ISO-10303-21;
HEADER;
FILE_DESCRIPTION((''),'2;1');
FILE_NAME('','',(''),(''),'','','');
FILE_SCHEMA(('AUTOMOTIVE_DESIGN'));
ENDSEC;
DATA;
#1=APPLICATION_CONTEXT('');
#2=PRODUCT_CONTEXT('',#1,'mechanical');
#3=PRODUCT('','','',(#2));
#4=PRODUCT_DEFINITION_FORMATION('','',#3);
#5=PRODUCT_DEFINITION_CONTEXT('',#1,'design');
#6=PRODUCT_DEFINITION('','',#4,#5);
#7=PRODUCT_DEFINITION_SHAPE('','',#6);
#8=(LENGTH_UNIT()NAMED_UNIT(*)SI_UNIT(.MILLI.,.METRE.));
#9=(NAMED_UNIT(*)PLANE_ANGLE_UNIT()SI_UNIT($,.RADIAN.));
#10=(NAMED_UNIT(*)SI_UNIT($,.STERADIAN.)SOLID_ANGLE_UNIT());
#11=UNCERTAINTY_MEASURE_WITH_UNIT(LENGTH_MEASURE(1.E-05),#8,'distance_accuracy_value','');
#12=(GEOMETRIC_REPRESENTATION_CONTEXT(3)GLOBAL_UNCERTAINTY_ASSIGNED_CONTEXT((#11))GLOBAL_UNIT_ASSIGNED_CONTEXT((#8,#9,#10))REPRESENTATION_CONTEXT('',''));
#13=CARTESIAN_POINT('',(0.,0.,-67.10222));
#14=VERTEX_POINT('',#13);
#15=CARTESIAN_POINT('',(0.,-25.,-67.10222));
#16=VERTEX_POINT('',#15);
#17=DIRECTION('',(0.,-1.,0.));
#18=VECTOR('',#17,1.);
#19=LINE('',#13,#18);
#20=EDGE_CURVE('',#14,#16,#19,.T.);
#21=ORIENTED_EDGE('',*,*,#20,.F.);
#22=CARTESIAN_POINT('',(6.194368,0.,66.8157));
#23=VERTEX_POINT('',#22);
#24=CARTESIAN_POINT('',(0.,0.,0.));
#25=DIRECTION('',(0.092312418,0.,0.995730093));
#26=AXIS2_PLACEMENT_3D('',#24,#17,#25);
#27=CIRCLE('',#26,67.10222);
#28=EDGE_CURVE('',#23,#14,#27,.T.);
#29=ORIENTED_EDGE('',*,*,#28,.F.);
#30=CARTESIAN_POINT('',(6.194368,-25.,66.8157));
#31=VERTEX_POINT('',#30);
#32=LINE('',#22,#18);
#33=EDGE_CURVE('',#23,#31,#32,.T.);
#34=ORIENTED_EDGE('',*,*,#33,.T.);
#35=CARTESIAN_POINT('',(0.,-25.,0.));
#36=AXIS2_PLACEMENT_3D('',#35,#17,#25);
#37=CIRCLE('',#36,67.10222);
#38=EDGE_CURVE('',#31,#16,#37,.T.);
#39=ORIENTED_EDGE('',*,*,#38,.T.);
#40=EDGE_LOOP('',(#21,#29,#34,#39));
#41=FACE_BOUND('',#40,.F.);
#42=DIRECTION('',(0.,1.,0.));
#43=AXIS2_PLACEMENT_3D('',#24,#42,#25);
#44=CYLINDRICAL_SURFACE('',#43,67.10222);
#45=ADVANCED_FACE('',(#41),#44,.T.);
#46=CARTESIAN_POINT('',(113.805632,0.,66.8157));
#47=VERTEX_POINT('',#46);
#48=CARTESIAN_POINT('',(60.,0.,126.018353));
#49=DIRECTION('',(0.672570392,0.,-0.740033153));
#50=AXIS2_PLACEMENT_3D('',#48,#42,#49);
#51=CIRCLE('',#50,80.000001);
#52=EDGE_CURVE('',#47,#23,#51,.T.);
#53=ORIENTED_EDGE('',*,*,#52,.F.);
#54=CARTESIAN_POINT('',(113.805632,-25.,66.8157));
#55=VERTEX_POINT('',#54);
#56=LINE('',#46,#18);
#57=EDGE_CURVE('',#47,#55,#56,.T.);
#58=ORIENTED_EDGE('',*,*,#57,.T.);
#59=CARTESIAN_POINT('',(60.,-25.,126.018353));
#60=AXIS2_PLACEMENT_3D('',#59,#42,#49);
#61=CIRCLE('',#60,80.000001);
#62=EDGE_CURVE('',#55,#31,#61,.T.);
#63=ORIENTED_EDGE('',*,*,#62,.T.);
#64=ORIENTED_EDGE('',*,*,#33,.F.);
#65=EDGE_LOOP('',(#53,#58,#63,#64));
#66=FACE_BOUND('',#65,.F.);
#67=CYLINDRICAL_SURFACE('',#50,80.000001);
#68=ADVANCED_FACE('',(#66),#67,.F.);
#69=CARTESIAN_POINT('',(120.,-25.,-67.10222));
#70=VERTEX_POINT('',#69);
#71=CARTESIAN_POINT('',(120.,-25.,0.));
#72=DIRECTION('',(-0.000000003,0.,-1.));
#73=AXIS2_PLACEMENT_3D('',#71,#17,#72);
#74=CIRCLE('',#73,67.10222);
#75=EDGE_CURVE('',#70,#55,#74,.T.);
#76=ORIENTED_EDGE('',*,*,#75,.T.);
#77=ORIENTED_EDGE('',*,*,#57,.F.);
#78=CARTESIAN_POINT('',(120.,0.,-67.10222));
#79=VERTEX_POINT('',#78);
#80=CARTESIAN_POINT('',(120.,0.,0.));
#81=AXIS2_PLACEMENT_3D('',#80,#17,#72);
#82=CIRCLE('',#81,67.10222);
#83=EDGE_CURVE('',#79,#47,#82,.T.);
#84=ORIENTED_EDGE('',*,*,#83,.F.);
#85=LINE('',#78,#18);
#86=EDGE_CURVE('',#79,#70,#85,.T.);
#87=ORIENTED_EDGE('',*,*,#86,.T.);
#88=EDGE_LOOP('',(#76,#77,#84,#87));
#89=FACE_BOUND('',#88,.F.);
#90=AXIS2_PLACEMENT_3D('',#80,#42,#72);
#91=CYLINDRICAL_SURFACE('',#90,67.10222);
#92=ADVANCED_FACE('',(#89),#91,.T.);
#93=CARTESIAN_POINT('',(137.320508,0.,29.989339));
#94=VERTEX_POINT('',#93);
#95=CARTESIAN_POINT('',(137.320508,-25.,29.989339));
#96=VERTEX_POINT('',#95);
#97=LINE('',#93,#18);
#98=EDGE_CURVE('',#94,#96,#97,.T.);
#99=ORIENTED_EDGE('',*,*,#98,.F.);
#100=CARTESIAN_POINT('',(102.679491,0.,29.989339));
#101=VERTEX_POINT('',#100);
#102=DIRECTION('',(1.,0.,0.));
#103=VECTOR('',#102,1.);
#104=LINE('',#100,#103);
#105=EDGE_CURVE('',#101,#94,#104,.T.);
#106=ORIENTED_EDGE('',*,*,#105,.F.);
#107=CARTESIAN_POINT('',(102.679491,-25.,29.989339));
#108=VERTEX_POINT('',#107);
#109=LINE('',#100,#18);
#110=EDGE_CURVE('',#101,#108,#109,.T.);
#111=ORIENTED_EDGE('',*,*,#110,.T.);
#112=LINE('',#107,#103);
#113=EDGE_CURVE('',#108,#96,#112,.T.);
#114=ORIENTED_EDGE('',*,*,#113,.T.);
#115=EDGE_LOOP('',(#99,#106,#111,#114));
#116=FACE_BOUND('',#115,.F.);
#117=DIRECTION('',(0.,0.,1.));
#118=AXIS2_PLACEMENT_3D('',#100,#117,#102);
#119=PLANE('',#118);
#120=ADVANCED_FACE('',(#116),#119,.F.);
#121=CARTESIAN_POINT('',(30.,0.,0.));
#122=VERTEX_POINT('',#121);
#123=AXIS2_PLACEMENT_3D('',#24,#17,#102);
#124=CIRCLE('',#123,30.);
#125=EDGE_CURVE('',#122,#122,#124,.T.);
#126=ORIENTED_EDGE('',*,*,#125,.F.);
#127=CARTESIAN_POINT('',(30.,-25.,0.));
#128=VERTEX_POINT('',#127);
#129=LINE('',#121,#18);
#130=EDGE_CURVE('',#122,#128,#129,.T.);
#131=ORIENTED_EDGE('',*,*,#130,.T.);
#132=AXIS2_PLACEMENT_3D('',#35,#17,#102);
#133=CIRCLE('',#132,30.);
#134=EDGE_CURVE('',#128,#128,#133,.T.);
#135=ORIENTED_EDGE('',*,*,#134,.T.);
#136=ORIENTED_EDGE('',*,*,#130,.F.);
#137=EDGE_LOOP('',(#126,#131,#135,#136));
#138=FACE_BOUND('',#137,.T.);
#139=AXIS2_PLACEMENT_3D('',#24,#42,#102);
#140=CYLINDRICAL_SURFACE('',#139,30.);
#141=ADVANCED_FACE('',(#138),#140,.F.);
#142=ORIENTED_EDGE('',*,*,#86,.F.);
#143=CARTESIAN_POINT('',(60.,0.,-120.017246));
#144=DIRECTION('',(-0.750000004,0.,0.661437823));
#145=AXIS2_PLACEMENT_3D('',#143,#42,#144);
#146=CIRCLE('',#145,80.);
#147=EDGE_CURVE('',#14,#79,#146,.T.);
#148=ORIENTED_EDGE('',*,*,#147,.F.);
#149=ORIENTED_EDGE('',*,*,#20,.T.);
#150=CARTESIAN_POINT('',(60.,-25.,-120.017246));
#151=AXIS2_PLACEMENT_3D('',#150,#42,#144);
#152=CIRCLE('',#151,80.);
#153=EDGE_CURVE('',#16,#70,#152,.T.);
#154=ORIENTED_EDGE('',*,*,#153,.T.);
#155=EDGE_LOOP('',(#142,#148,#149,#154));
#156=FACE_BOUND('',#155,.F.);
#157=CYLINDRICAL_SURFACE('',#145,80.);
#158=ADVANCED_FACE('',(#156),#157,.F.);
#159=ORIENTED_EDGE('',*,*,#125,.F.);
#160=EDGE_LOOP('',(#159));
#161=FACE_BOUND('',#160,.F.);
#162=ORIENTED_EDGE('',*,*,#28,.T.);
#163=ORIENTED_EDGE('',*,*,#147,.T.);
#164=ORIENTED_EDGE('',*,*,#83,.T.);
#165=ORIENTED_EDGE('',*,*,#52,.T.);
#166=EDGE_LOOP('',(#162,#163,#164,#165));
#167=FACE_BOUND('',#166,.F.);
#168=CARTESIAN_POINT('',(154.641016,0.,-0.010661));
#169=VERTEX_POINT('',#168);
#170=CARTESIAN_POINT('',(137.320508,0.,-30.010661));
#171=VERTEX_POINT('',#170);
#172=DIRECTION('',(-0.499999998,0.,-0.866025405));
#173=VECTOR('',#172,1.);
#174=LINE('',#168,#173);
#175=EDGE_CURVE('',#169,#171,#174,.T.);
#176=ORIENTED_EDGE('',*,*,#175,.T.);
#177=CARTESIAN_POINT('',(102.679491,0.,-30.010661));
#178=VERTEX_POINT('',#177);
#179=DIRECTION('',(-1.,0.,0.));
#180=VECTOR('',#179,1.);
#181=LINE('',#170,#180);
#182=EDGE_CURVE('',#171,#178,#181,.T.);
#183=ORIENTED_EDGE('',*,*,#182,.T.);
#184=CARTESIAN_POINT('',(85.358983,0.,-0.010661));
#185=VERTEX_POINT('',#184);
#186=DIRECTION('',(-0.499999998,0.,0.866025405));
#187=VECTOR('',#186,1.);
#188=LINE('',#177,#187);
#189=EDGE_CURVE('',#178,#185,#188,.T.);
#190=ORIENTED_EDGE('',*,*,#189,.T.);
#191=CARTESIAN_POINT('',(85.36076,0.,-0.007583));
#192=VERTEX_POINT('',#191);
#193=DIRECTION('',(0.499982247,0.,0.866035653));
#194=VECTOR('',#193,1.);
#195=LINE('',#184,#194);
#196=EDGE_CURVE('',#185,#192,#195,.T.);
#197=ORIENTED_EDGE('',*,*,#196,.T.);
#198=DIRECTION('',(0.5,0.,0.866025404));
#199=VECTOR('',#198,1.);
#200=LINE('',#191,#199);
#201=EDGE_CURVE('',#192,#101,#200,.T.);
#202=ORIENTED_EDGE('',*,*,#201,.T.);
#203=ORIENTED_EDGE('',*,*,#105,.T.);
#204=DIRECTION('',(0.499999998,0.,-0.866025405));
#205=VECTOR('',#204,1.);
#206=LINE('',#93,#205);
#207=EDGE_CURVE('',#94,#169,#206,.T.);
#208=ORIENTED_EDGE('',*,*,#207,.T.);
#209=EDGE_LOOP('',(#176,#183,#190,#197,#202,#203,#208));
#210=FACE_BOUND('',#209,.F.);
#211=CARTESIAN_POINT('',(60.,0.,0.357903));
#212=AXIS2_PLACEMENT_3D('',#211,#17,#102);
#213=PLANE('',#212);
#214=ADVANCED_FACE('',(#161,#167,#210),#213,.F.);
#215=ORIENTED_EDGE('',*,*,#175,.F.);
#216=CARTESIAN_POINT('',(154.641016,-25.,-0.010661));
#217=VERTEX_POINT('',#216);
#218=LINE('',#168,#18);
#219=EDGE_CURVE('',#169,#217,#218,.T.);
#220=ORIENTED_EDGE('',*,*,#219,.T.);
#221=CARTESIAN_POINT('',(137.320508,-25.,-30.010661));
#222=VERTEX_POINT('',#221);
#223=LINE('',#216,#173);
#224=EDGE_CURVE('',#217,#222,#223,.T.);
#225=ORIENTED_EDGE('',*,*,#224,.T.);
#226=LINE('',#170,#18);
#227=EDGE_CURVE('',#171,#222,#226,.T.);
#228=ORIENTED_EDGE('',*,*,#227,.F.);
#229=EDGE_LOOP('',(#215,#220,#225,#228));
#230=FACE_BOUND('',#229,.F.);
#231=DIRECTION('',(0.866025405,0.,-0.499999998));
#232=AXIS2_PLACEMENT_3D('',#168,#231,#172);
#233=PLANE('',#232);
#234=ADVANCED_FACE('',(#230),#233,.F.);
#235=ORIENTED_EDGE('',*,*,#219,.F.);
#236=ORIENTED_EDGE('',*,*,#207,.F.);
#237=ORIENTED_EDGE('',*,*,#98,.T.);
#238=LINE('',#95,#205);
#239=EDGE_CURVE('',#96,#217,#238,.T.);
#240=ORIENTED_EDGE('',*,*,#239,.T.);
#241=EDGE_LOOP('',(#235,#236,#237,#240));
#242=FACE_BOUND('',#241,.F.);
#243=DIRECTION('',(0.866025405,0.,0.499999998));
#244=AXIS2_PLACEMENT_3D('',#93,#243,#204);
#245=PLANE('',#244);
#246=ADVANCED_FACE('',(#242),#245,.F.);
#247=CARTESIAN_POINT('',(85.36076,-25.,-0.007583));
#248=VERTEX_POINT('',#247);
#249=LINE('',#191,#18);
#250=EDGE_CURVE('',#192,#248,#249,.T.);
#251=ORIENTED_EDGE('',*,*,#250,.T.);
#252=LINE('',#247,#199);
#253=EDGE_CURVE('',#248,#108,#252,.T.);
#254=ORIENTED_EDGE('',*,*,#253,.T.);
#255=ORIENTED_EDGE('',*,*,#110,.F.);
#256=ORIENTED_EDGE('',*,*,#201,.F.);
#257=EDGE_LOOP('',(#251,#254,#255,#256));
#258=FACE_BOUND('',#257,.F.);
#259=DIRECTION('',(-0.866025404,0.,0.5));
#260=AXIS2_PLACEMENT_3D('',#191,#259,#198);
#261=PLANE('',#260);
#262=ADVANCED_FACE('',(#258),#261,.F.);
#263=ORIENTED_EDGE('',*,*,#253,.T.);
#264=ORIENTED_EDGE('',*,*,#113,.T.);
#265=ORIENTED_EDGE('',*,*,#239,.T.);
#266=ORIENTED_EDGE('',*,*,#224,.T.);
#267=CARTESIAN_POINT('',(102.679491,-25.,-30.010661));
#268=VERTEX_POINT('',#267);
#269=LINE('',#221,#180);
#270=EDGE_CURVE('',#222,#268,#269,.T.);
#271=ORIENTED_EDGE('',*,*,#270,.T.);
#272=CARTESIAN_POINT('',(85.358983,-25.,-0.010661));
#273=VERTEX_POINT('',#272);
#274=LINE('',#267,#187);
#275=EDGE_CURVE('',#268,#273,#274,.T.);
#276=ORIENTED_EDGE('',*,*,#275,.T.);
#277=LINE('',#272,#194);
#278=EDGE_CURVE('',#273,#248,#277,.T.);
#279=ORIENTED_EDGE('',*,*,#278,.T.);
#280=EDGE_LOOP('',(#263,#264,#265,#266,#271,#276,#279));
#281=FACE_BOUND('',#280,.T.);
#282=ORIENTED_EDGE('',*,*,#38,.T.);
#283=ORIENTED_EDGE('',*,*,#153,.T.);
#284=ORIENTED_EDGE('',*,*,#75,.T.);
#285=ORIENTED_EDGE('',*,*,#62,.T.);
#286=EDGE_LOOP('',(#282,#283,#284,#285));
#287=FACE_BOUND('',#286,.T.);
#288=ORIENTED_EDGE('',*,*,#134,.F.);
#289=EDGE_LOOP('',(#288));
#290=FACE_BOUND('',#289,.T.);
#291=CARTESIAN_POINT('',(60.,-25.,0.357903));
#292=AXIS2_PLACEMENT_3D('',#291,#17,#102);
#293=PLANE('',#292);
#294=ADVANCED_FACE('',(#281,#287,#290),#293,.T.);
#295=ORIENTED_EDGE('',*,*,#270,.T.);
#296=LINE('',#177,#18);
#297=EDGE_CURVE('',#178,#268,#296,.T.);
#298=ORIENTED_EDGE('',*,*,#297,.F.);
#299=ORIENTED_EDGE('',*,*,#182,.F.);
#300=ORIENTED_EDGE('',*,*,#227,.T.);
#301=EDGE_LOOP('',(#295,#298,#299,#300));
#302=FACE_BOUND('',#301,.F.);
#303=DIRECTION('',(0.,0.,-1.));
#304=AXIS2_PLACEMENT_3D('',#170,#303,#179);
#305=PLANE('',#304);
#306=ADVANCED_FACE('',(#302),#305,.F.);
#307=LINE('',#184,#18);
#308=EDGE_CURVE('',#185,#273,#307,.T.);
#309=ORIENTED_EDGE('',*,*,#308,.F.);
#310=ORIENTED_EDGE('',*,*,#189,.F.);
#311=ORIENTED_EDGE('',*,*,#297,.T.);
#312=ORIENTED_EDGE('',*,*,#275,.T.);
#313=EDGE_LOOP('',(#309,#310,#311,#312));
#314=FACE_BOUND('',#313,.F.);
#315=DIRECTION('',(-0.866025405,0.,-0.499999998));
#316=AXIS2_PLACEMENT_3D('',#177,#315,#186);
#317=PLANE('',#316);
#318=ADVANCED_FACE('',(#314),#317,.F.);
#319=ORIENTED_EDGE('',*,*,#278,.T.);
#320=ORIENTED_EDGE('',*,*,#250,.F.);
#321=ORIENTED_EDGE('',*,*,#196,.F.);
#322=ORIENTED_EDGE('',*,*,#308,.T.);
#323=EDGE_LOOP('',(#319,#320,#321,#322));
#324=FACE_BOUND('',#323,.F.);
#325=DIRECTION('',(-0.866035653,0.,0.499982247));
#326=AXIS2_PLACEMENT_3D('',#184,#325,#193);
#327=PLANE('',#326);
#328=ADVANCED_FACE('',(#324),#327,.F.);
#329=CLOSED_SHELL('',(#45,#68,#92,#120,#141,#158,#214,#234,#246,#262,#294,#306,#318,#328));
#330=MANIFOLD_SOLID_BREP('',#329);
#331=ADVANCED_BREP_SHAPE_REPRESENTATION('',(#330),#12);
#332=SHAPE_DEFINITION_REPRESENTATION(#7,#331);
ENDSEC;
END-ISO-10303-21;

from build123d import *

# Parameters (mm, degrees)
F0_R     = 30
F1_DEPTH = 25


with BuildPart() as f1:
    # F0 (on Front) → F1 (new body)
    with BuildSketch(Plane.XZ):
        with BuildLine():
            ThreePointArc((113.805632, 66.8157), (60, 46.018352), (6.194368, 66.8157))
            ThreePointArc((6.194368, 66.8157), (-67.030552, 3.100496), (0, -67.10222))
            ThreePointArc((0, -67.10222), (60, -40.017246), (120, -67.10222))
            ThreePointArc((120, -67.10222), (187.030552, 3.100496), (113.805632, 66.8157))
        make_face()
        Polygon((137.320508, 29.989339), (154.641016, -0.010661), (137.320508, -30.010661), (102.679491, -30.010661), (85.358983, -0.010661), (85.36076, -0.007583), (102.679491, 29.989339), align=None, mode=Mode.SUBTRACT)
        Circle(F0_R, mode=Mode.SUBTRACT)
    extrude(amount=F1_DEPTH)


solid = f1.part
